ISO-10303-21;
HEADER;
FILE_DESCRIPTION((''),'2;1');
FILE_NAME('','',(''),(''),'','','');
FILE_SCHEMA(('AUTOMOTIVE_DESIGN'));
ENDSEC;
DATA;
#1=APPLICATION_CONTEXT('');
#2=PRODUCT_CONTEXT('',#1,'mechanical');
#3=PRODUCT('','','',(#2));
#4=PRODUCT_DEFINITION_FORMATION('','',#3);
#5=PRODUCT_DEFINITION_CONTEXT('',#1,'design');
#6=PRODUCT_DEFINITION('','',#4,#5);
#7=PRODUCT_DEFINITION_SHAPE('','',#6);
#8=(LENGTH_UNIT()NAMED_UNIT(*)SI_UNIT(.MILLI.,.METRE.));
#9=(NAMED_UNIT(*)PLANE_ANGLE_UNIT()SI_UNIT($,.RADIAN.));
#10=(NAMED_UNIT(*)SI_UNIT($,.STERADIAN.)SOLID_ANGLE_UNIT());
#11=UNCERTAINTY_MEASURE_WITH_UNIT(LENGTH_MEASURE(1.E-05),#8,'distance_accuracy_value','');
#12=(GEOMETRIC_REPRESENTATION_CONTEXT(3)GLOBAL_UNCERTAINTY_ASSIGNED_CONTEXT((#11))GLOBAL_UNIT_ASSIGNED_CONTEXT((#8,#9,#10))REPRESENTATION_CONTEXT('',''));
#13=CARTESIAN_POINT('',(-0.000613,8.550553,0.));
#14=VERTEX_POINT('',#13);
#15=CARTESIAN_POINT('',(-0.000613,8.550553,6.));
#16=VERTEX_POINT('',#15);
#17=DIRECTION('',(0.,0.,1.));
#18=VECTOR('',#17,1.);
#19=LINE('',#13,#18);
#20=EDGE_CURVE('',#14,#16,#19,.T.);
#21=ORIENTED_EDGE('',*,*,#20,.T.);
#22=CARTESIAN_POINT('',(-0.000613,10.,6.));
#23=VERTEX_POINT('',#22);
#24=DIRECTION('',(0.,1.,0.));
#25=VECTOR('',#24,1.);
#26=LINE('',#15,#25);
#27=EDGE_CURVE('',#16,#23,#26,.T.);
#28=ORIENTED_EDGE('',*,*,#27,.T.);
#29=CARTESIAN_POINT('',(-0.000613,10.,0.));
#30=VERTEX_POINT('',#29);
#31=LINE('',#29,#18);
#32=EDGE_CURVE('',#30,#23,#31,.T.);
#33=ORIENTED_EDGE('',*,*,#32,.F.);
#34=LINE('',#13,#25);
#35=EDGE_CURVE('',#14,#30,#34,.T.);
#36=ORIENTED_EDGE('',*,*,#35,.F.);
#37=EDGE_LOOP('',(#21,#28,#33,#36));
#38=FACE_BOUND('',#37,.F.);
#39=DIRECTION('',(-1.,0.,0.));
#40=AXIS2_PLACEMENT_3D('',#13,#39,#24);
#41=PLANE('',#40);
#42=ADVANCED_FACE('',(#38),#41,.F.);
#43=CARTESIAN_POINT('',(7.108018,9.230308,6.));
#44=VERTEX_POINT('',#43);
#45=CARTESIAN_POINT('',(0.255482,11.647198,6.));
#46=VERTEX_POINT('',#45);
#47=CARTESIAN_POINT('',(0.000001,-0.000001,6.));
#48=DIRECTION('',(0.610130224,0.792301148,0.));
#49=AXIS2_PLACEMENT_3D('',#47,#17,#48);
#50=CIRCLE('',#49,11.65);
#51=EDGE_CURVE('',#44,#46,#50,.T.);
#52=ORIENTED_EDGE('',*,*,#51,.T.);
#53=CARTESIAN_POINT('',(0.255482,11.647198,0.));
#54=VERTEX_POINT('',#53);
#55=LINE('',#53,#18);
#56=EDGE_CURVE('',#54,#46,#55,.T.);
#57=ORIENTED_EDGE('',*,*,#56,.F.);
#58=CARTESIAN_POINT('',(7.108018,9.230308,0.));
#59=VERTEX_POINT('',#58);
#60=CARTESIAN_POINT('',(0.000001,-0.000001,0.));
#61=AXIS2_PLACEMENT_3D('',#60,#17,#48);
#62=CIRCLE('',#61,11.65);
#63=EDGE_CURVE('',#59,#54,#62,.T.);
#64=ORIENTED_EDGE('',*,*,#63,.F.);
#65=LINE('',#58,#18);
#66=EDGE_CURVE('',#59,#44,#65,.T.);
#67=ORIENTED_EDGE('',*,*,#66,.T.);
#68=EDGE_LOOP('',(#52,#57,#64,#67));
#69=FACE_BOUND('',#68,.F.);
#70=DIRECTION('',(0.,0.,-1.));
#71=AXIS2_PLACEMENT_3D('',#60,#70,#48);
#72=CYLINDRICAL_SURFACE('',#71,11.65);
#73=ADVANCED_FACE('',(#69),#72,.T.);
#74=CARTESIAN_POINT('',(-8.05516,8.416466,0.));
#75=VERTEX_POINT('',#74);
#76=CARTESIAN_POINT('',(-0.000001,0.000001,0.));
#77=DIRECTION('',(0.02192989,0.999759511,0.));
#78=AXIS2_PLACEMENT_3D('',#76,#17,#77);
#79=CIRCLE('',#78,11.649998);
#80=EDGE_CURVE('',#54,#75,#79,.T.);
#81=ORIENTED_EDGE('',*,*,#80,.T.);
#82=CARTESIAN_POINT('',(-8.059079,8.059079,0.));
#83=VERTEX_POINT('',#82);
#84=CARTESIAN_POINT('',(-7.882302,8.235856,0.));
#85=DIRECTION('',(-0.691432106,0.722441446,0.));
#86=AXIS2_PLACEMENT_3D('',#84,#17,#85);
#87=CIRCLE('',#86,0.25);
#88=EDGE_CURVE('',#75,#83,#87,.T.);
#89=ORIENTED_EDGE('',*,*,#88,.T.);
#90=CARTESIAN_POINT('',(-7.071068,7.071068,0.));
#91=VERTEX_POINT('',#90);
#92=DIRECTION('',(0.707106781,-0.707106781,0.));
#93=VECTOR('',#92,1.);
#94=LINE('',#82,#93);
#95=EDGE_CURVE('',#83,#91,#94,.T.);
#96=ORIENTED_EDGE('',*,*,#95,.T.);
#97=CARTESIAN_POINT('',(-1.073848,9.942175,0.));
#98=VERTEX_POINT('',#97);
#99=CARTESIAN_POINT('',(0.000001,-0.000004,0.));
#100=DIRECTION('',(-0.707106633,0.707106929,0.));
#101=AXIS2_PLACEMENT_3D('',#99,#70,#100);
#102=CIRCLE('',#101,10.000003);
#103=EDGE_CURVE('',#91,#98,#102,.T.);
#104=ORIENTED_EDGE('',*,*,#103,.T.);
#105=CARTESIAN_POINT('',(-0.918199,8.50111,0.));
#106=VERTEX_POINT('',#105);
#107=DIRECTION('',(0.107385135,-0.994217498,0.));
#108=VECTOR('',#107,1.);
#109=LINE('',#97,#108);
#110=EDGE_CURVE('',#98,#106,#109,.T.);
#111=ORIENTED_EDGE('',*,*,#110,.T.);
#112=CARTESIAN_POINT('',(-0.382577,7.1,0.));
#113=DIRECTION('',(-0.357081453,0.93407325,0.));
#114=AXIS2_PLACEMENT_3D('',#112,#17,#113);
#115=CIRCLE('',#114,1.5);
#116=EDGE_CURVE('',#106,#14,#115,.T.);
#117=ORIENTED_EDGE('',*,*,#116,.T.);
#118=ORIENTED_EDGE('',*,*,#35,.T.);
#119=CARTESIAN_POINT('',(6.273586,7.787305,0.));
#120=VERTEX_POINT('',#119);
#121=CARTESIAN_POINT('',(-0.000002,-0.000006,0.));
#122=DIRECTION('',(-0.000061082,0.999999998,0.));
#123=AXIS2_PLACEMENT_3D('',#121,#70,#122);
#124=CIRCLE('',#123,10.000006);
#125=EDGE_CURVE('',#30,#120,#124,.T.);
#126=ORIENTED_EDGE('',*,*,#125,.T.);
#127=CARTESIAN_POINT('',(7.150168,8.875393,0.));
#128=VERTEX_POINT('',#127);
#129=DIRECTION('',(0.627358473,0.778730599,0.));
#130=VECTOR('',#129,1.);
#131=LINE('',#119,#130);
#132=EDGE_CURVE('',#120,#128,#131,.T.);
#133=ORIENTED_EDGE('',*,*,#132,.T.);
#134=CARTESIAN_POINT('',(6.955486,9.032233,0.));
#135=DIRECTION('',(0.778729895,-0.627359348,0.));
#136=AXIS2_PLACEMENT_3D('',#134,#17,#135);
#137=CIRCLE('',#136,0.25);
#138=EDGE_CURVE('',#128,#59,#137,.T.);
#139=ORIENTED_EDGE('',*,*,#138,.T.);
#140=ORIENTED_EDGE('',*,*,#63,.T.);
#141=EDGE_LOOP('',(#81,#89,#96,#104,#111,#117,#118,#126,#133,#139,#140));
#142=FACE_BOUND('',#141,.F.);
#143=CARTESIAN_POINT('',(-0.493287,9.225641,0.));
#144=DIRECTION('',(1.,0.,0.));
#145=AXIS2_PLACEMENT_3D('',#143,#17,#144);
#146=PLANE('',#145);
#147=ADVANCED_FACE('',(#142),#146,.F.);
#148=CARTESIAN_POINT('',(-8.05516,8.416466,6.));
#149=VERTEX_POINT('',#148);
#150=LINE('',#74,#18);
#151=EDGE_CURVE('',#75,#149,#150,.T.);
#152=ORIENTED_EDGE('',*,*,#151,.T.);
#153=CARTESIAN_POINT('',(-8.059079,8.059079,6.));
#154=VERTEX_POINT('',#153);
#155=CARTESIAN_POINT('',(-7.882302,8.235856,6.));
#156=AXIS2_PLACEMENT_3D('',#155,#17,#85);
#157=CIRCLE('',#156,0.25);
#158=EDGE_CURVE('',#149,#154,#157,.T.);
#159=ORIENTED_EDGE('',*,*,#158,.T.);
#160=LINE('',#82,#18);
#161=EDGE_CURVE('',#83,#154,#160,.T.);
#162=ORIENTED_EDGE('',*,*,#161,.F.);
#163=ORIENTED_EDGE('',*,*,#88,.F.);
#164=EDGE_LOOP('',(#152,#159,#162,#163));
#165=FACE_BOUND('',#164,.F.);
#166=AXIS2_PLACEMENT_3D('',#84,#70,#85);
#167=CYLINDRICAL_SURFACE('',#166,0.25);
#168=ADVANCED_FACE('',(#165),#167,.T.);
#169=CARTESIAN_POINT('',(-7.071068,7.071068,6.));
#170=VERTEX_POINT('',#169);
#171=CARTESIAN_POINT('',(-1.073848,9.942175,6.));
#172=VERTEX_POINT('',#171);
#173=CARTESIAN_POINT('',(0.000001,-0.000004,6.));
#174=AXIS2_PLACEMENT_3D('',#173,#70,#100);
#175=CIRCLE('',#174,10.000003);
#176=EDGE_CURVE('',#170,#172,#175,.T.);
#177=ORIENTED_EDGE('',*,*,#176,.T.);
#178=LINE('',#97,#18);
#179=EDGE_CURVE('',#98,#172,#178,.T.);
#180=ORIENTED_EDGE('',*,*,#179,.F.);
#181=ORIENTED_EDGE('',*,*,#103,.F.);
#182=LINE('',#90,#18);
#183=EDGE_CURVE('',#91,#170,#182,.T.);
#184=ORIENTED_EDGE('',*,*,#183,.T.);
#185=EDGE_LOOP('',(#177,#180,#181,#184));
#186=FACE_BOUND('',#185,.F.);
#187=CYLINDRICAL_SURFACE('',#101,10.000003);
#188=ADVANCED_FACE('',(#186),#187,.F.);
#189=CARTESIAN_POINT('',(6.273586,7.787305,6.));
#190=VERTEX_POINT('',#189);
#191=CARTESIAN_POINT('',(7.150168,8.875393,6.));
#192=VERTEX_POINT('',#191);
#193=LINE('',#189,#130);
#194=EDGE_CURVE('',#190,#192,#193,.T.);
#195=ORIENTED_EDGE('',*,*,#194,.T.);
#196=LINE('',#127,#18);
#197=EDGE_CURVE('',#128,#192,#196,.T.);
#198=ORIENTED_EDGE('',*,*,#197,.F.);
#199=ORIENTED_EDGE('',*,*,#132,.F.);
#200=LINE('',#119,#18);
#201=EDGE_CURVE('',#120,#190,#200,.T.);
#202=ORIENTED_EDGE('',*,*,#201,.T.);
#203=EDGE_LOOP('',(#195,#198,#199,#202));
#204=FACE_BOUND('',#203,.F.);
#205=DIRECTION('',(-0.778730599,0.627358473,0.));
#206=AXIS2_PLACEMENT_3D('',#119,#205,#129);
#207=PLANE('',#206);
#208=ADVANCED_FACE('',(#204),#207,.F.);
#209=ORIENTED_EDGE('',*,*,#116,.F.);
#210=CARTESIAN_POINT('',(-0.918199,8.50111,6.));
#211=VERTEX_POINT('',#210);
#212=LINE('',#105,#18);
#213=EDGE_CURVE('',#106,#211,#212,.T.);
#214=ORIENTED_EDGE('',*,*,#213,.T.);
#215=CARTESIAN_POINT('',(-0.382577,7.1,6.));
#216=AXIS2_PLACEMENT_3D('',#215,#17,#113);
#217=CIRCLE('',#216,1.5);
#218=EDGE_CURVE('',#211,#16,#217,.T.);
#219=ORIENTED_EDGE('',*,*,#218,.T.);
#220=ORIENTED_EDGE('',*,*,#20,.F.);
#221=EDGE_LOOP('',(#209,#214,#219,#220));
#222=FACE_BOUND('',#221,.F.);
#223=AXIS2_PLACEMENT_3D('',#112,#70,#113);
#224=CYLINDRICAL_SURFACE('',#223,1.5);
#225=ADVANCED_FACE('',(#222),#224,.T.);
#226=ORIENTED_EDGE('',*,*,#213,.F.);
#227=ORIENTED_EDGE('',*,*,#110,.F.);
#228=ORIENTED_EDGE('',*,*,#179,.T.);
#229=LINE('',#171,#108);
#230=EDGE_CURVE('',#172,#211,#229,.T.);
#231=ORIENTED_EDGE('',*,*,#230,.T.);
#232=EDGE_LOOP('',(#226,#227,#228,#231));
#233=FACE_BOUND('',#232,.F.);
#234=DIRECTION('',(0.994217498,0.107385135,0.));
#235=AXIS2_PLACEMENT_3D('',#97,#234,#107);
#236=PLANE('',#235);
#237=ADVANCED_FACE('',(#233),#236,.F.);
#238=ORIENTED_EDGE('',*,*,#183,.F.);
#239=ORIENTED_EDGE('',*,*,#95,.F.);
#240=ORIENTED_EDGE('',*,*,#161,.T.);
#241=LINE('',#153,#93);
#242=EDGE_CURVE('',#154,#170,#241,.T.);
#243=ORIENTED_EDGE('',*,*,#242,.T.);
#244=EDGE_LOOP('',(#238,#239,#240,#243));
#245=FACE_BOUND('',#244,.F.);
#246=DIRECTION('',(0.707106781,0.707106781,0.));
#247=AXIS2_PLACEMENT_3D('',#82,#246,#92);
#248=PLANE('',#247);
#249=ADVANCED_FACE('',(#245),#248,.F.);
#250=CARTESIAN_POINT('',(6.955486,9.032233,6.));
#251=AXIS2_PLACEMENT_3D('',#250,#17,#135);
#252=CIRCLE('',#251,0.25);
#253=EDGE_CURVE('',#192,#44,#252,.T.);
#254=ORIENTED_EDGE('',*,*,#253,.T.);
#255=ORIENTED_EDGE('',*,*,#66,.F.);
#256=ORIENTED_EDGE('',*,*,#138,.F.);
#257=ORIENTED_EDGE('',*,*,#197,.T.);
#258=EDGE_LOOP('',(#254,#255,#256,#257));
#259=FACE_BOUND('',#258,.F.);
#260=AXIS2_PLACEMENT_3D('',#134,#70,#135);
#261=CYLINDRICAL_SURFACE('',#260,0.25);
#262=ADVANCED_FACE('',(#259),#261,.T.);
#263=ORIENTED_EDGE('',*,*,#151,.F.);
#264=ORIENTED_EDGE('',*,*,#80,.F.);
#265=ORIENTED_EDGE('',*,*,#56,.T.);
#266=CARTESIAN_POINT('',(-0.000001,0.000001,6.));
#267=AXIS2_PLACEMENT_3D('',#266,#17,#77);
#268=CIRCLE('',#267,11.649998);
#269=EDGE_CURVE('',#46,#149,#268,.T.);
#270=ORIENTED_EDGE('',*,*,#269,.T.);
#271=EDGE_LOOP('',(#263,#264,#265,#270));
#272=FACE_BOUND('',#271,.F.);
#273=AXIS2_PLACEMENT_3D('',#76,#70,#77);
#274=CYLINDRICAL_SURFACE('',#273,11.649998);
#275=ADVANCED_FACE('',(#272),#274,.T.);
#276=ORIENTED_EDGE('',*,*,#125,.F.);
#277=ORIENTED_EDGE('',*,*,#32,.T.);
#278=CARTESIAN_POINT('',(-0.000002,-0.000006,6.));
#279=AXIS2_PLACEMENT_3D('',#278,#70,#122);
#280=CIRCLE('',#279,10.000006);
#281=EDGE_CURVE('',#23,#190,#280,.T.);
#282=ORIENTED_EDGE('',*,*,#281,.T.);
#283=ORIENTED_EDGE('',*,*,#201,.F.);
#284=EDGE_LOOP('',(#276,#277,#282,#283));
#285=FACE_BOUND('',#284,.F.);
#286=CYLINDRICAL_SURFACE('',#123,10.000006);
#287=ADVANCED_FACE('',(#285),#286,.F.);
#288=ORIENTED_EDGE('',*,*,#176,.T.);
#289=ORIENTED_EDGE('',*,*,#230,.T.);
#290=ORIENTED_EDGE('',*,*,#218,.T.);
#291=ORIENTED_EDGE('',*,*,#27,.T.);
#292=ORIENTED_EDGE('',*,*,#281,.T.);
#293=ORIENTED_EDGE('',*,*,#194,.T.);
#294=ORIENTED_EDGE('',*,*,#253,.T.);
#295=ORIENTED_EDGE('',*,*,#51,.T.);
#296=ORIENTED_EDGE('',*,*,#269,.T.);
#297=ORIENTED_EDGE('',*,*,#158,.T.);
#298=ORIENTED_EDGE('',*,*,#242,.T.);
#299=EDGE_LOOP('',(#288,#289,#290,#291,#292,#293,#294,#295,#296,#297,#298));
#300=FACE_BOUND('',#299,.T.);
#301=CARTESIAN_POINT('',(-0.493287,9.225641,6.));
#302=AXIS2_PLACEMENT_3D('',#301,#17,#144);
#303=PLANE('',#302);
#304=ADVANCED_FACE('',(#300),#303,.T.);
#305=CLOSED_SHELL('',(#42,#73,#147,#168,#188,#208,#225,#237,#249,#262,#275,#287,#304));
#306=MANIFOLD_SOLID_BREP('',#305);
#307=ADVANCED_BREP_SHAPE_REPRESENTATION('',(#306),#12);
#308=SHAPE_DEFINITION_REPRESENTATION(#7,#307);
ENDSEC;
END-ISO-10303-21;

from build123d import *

# Parameters (mm, degrees)
F1_DEPTH = 6


with BuildPart() as f1:
    # F0 (on Top) → F1 (new body)
    with BuildSketch(Plane.XY):
        with BuildLine():
            ThreePointArc((-8.05516, 8.416466), (-8.132287, 8.238597), (-8.059079, 8.059079))
            Line((-8.059079, 8.059079), (-7.071068, 7.071068))
            ThreePointArc((-7.071068, 7.071068), (-4.31807, 9.01966), (-1.073848, 9.942175))
            Line((-1.073848, 9.942175), (-0.918199, 8.50111))
            ThreePointArc((-0.918199, 8.50111), (-0.301868, 5.602173), (-0.000613, 8.550553))
            Line((-0.000613, 8.550553), (-0.000613, 10))
            ThreePointArc((-0.000613, 10), (3.325891, 9.430718), (6.273586, 7.787305))
            Line((6.273586, 7.787305), (7.150168, 8.875393))
            ThreePointArc((7.150168, 8.875393), (7.203741, 9.061715), (7.108018, 9.230308))
            ThreePointArc((7.108018, 9.230308), (3.875, 10.986668), (0.255482, 11.647198))
            ThreePointArc((0.255482, 11.647198), (-4.221155, 10.858377), (-8.05516, 8.416466))
        make_face()
    extrude(amount=F1_DEPTH)


solid = f1.part
